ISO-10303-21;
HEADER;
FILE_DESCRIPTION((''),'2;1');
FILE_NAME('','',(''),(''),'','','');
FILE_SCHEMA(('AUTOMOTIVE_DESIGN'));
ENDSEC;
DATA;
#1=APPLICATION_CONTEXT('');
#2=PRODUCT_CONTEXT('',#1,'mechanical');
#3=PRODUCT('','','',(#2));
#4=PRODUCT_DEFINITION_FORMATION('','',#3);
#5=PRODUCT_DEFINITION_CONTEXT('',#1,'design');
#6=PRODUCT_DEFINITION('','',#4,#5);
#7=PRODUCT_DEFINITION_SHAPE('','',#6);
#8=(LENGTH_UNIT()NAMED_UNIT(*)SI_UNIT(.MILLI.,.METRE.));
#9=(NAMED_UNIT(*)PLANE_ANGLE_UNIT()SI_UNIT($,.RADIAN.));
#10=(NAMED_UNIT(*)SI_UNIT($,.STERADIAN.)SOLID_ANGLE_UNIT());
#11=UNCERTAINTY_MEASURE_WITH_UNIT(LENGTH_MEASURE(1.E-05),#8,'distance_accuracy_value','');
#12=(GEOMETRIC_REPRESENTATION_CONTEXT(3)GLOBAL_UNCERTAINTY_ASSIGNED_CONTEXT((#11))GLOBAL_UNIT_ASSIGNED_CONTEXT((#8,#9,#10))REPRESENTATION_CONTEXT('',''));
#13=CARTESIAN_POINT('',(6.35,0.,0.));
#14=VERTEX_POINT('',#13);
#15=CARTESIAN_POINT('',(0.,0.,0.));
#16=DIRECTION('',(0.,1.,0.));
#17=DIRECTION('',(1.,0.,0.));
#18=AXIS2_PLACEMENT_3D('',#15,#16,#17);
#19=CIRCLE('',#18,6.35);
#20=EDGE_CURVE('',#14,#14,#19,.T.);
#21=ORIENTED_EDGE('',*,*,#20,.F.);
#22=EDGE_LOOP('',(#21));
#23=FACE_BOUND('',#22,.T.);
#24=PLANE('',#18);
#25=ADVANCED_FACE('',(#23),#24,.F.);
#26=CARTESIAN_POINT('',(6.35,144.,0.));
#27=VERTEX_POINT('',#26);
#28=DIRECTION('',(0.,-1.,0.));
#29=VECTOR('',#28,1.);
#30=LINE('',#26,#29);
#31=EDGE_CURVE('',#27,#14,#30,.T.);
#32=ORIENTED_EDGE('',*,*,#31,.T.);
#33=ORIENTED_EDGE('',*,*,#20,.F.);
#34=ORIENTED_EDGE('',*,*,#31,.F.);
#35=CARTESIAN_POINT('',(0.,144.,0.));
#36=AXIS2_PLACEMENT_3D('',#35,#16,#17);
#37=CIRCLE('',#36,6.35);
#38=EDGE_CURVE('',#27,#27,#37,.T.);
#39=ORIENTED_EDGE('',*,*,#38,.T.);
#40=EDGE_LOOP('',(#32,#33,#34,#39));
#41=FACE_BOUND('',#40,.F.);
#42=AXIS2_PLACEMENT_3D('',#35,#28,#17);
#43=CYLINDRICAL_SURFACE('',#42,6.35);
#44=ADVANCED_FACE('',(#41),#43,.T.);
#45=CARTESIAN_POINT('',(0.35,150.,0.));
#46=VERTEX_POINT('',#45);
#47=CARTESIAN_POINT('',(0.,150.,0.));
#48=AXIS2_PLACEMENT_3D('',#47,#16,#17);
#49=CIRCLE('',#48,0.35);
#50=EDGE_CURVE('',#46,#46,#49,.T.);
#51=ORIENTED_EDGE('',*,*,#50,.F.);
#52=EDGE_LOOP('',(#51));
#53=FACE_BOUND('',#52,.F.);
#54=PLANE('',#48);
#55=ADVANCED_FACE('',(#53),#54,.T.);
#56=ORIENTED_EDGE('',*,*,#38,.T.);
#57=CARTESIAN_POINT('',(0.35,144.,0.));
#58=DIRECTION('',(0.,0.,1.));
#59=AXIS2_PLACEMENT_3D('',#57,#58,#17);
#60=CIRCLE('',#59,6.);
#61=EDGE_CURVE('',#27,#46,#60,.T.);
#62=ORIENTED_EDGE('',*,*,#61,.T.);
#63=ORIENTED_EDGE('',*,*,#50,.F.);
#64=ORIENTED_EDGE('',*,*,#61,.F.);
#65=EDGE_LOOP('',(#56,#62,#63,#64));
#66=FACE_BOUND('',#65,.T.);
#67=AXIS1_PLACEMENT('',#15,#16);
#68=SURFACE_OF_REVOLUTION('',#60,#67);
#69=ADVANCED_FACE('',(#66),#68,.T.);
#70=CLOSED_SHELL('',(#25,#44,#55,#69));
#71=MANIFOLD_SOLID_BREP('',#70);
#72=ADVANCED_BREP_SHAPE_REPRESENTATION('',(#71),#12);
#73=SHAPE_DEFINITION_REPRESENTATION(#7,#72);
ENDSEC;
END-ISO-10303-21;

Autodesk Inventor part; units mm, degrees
ref_plane "YZ Plane" through (0, 0, 0) normal (1, 0, 0) x (0, 1, 0)
ref_plane "XZ Plane" through (0, 0, 0) normal (0, 1, 0) x (-1, 0, 0)
ref_plane "XY Plane" through (0, 0, 0) normal (0, 0, 1) x (1, 0, 0)
sketch "Sketch3" plane through (0, 0, 0) normal (0, 0, 1) x (1, 0, 0)
  line L0 (0, 0) -> (6.35, 0)
  line L1 (0, 0) -> (0, 150)
  line L2 (0, 150) -> (0.35, 150)
  line L3 (6.35, 144) -> (6.35, 0)
  arc A0 (6.35, 144) -> (0.35, 150) centre (0.35, 144) ccw
  dimension "d1" = 6.35
  dimension "d2" = 150
  dimension "d3" = 6
revolve "Revolution1" add sketch "Sketch3" angle 360 about axis through (0, 0, 0) along (0, 1, 0)
properties part number "Optical Post" material "Aluminum 6061, Welded"
